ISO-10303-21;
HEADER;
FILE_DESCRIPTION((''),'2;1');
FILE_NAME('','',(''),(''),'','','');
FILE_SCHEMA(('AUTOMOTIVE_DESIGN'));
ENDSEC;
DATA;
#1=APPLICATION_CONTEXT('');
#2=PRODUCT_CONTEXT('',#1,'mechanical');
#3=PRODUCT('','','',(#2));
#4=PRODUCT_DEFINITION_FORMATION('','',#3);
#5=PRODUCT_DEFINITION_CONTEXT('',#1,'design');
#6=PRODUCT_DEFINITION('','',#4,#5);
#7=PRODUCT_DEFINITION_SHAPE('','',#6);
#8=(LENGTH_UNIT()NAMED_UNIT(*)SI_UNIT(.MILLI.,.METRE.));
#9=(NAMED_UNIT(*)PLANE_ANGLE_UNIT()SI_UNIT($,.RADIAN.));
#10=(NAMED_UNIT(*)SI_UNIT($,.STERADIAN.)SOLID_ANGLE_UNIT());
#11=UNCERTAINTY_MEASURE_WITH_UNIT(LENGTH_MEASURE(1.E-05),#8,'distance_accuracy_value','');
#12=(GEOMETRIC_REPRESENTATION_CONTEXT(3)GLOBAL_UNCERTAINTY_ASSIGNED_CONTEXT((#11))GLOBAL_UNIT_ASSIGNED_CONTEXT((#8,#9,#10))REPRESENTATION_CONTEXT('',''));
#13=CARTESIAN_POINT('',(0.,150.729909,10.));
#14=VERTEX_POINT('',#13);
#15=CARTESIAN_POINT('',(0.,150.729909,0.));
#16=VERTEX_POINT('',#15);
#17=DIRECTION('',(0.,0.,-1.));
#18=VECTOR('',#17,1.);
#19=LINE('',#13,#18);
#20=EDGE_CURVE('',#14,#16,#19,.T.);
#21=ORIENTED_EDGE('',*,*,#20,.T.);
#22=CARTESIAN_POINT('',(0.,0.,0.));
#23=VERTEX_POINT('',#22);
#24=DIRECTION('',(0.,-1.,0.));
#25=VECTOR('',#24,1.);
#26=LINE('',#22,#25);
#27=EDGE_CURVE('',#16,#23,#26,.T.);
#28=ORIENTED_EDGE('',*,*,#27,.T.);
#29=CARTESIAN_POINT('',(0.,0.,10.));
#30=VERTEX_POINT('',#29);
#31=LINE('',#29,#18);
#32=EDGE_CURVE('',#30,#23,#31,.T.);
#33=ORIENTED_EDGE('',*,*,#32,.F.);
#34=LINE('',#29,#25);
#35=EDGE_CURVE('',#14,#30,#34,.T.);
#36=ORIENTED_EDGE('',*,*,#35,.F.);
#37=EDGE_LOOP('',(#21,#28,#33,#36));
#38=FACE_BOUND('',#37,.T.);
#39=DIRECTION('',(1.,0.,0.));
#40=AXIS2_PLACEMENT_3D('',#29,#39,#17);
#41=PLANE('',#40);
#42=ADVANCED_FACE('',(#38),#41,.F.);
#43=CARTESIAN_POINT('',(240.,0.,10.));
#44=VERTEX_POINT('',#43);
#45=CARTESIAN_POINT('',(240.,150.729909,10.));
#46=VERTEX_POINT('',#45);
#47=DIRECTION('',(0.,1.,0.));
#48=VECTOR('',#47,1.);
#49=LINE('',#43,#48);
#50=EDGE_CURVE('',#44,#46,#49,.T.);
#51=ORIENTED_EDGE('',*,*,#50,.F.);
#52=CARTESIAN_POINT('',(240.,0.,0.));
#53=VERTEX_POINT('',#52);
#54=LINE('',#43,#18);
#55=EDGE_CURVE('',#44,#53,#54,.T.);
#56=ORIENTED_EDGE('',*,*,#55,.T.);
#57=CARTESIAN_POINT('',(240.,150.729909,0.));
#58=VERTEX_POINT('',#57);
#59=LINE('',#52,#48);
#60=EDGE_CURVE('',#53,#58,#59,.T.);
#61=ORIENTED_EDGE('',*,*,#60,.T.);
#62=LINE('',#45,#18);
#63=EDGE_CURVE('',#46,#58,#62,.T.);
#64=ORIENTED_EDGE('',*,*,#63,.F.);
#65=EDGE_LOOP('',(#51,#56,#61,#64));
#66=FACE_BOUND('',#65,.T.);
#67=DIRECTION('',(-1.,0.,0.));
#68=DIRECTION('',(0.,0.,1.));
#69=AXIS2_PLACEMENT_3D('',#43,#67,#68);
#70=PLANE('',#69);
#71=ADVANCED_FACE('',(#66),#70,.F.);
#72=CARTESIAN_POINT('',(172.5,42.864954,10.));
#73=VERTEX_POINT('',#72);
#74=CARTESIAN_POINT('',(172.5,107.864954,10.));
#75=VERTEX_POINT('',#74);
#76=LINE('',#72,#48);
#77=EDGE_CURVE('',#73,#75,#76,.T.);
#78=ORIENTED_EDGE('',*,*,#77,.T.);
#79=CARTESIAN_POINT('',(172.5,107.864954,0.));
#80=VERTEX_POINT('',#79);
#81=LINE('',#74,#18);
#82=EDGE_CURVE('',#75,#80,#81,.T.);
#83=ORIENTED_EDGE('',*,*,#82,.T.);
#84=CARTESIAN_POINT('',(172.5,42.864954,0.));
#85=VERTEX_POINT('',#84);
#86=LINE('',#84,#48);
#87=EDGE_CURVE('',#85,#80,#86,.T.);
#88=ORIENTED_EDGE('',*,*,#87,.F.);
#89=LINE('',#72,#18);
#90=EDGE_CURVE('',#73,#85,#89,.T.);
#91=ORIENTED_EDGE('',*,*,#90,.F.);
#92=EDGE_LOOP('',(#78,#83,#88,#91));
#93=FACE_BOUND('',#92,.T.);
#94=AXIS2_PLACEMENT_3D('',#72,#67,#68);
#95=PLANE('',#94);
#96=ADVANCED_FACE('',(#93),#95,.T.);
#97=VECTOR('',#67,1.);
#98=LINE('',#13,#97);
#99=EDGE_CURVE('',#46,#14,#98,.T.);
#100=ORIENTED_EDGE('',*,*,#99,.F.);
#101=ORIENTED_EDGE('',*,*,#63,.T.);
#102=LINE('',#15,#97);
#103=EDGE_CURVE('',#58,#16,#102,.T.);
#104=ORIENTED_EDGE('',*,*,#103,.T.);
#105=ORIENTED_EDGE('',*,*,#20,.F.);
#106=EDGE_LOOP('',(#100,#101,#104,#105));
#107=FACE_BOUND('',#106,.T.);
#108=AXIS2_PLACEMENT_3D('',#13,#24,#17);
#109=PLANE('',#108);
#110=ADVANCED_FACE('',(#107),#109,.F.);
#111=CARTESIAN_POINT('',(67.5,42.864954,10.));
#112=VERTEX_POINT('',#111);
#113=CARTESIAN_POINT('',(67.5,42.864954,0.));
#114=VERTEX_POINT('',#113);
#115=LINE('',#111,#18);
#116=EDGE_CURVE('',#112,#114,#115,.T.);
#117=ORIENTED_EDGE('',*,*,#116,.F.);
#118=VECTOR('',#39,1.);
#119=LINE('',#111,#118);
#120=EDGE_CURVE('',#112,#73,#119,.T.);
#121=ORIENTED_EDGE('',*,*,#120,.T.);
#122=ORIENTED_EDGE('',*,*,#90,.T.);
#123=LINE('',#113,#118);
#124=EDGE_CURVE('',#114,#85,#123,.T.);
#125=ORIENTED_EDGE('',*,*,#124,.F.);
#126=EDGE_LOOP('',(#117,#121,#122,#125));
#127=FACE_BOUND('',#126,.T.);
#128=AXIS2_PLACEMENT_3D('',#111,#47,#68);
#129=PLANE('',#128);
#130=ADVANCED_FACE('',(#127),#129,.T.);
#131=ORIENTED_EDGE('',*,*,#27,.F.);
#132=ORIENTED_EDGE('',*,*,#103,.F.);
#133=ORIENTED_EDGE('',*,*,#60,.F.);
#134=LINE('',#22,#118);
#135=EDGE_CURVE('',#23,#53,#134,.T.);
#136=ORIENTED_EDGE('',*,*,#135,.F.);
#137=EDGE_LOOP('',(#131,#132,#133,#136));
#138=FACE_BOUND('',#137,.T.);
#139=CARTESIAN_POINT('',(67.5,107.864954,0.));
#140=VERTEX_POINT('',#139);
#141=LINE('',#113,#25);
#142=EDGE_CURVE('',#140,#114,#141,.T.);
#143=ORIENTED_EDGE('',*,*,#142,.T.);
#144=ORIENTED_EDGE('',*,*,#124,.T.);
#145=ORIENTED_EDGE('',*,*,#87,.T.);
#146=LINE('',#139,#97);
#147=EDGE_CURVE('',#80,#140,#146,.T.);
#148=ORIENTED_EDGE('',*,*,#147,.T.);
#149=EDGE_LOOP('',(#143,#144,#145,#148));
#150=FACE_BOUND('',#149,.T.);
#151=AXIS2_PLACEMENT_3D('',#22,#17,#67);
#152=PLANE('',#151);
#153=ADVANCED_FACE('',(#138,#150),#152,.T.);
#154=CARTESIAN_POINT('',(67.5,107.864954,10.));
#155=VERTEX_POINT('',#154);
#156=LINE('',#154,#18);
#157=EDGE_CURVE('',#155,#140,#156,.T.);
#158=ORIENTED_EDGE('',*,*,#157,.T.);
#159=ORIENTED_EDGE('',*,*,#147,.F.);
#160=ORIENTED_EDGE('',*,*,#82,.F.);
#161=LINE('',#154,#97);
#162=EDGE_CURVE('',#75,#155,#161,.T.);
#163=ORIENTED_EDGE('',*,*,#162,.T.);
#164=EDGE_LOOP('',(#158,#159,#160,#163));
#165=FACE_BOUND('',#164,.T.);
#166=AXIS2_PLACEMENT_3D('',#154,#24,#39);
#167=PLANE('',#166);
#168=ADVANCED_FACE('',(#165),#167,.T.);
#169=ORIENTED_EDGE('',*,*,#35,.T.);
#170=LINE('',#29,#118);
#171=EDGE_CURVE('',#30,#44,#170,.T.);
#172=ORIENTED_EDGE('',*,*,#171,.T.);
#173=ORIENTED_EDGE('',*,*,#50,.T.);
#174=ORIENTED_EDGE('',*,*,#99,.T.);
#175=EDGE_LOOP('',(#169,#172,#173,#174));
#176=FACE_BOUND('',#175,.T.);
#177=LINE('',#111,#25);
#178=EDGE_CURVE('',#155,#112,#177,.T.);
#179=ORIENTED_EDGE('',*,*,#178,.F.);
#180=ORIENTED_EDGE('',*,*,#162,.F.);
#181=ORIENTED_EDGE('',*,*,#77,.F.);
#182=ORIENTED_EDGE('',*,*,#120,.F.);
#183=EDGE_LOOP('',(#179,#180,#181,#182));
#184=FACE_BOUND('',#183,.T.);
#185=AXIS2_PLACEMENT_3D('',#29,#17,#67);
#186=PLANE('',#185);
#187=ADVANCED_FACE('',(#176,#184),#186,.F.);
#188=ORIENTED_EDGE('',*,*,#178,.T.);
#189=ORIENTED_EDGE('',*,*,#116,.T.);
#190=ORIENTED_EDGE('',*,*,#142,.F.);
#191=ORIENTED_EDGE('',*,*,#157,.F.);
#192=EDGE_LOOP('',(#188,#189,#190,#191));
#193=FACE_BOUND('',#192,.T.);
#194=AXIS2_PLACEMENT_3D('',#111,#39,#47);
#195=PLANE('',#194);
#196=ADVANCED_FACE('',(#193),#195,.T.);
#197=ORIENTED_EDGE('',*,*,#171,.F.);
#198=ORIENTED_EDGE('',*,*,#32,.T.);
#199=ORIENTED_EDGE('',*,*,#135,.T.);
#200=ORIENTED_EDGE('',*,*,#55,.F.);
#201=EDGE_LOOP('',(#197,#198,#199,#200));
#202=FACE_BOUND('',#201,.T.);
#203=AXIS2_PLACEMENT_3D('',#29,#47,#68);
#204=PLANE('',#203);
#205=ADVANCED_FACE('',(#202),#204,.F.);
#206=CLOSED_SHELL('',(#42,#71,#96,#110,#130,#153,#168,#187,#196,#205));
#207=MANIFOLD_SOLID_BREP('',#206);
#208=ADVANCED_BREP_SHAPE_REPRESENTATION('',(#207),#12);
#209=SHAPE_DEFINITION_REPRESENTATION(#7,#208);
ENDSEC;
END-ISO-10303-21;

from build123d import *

# Parameters (mm, degrees)
CROQUIS1_W              = 240
CROQUIS1_H              = 150.729909
CROQUIS1_W_2            = 105
CROQUIS1_H_2            = 65
SALIENTE_EXTRUIR1_DEPTH = 10


with BuildPart() as part:
    # Croquis1 → Saliente-Extruir1 (new body)
    with BuildSketch(Plane.XY):
        with Locations((120, 75.3649545)):
            Rectangle(CROQUIS1_W, CROQUIS1_H)
        with Locations((120, 75.3649545)):
            Rectangle(CROQUIS1_W_2, CROQUIS1_H_2, mode=Mode.SUBTRACT)
    extrude(amount=SALIENTE_EXTRUIR1_DEPTH)


solid = part.part
